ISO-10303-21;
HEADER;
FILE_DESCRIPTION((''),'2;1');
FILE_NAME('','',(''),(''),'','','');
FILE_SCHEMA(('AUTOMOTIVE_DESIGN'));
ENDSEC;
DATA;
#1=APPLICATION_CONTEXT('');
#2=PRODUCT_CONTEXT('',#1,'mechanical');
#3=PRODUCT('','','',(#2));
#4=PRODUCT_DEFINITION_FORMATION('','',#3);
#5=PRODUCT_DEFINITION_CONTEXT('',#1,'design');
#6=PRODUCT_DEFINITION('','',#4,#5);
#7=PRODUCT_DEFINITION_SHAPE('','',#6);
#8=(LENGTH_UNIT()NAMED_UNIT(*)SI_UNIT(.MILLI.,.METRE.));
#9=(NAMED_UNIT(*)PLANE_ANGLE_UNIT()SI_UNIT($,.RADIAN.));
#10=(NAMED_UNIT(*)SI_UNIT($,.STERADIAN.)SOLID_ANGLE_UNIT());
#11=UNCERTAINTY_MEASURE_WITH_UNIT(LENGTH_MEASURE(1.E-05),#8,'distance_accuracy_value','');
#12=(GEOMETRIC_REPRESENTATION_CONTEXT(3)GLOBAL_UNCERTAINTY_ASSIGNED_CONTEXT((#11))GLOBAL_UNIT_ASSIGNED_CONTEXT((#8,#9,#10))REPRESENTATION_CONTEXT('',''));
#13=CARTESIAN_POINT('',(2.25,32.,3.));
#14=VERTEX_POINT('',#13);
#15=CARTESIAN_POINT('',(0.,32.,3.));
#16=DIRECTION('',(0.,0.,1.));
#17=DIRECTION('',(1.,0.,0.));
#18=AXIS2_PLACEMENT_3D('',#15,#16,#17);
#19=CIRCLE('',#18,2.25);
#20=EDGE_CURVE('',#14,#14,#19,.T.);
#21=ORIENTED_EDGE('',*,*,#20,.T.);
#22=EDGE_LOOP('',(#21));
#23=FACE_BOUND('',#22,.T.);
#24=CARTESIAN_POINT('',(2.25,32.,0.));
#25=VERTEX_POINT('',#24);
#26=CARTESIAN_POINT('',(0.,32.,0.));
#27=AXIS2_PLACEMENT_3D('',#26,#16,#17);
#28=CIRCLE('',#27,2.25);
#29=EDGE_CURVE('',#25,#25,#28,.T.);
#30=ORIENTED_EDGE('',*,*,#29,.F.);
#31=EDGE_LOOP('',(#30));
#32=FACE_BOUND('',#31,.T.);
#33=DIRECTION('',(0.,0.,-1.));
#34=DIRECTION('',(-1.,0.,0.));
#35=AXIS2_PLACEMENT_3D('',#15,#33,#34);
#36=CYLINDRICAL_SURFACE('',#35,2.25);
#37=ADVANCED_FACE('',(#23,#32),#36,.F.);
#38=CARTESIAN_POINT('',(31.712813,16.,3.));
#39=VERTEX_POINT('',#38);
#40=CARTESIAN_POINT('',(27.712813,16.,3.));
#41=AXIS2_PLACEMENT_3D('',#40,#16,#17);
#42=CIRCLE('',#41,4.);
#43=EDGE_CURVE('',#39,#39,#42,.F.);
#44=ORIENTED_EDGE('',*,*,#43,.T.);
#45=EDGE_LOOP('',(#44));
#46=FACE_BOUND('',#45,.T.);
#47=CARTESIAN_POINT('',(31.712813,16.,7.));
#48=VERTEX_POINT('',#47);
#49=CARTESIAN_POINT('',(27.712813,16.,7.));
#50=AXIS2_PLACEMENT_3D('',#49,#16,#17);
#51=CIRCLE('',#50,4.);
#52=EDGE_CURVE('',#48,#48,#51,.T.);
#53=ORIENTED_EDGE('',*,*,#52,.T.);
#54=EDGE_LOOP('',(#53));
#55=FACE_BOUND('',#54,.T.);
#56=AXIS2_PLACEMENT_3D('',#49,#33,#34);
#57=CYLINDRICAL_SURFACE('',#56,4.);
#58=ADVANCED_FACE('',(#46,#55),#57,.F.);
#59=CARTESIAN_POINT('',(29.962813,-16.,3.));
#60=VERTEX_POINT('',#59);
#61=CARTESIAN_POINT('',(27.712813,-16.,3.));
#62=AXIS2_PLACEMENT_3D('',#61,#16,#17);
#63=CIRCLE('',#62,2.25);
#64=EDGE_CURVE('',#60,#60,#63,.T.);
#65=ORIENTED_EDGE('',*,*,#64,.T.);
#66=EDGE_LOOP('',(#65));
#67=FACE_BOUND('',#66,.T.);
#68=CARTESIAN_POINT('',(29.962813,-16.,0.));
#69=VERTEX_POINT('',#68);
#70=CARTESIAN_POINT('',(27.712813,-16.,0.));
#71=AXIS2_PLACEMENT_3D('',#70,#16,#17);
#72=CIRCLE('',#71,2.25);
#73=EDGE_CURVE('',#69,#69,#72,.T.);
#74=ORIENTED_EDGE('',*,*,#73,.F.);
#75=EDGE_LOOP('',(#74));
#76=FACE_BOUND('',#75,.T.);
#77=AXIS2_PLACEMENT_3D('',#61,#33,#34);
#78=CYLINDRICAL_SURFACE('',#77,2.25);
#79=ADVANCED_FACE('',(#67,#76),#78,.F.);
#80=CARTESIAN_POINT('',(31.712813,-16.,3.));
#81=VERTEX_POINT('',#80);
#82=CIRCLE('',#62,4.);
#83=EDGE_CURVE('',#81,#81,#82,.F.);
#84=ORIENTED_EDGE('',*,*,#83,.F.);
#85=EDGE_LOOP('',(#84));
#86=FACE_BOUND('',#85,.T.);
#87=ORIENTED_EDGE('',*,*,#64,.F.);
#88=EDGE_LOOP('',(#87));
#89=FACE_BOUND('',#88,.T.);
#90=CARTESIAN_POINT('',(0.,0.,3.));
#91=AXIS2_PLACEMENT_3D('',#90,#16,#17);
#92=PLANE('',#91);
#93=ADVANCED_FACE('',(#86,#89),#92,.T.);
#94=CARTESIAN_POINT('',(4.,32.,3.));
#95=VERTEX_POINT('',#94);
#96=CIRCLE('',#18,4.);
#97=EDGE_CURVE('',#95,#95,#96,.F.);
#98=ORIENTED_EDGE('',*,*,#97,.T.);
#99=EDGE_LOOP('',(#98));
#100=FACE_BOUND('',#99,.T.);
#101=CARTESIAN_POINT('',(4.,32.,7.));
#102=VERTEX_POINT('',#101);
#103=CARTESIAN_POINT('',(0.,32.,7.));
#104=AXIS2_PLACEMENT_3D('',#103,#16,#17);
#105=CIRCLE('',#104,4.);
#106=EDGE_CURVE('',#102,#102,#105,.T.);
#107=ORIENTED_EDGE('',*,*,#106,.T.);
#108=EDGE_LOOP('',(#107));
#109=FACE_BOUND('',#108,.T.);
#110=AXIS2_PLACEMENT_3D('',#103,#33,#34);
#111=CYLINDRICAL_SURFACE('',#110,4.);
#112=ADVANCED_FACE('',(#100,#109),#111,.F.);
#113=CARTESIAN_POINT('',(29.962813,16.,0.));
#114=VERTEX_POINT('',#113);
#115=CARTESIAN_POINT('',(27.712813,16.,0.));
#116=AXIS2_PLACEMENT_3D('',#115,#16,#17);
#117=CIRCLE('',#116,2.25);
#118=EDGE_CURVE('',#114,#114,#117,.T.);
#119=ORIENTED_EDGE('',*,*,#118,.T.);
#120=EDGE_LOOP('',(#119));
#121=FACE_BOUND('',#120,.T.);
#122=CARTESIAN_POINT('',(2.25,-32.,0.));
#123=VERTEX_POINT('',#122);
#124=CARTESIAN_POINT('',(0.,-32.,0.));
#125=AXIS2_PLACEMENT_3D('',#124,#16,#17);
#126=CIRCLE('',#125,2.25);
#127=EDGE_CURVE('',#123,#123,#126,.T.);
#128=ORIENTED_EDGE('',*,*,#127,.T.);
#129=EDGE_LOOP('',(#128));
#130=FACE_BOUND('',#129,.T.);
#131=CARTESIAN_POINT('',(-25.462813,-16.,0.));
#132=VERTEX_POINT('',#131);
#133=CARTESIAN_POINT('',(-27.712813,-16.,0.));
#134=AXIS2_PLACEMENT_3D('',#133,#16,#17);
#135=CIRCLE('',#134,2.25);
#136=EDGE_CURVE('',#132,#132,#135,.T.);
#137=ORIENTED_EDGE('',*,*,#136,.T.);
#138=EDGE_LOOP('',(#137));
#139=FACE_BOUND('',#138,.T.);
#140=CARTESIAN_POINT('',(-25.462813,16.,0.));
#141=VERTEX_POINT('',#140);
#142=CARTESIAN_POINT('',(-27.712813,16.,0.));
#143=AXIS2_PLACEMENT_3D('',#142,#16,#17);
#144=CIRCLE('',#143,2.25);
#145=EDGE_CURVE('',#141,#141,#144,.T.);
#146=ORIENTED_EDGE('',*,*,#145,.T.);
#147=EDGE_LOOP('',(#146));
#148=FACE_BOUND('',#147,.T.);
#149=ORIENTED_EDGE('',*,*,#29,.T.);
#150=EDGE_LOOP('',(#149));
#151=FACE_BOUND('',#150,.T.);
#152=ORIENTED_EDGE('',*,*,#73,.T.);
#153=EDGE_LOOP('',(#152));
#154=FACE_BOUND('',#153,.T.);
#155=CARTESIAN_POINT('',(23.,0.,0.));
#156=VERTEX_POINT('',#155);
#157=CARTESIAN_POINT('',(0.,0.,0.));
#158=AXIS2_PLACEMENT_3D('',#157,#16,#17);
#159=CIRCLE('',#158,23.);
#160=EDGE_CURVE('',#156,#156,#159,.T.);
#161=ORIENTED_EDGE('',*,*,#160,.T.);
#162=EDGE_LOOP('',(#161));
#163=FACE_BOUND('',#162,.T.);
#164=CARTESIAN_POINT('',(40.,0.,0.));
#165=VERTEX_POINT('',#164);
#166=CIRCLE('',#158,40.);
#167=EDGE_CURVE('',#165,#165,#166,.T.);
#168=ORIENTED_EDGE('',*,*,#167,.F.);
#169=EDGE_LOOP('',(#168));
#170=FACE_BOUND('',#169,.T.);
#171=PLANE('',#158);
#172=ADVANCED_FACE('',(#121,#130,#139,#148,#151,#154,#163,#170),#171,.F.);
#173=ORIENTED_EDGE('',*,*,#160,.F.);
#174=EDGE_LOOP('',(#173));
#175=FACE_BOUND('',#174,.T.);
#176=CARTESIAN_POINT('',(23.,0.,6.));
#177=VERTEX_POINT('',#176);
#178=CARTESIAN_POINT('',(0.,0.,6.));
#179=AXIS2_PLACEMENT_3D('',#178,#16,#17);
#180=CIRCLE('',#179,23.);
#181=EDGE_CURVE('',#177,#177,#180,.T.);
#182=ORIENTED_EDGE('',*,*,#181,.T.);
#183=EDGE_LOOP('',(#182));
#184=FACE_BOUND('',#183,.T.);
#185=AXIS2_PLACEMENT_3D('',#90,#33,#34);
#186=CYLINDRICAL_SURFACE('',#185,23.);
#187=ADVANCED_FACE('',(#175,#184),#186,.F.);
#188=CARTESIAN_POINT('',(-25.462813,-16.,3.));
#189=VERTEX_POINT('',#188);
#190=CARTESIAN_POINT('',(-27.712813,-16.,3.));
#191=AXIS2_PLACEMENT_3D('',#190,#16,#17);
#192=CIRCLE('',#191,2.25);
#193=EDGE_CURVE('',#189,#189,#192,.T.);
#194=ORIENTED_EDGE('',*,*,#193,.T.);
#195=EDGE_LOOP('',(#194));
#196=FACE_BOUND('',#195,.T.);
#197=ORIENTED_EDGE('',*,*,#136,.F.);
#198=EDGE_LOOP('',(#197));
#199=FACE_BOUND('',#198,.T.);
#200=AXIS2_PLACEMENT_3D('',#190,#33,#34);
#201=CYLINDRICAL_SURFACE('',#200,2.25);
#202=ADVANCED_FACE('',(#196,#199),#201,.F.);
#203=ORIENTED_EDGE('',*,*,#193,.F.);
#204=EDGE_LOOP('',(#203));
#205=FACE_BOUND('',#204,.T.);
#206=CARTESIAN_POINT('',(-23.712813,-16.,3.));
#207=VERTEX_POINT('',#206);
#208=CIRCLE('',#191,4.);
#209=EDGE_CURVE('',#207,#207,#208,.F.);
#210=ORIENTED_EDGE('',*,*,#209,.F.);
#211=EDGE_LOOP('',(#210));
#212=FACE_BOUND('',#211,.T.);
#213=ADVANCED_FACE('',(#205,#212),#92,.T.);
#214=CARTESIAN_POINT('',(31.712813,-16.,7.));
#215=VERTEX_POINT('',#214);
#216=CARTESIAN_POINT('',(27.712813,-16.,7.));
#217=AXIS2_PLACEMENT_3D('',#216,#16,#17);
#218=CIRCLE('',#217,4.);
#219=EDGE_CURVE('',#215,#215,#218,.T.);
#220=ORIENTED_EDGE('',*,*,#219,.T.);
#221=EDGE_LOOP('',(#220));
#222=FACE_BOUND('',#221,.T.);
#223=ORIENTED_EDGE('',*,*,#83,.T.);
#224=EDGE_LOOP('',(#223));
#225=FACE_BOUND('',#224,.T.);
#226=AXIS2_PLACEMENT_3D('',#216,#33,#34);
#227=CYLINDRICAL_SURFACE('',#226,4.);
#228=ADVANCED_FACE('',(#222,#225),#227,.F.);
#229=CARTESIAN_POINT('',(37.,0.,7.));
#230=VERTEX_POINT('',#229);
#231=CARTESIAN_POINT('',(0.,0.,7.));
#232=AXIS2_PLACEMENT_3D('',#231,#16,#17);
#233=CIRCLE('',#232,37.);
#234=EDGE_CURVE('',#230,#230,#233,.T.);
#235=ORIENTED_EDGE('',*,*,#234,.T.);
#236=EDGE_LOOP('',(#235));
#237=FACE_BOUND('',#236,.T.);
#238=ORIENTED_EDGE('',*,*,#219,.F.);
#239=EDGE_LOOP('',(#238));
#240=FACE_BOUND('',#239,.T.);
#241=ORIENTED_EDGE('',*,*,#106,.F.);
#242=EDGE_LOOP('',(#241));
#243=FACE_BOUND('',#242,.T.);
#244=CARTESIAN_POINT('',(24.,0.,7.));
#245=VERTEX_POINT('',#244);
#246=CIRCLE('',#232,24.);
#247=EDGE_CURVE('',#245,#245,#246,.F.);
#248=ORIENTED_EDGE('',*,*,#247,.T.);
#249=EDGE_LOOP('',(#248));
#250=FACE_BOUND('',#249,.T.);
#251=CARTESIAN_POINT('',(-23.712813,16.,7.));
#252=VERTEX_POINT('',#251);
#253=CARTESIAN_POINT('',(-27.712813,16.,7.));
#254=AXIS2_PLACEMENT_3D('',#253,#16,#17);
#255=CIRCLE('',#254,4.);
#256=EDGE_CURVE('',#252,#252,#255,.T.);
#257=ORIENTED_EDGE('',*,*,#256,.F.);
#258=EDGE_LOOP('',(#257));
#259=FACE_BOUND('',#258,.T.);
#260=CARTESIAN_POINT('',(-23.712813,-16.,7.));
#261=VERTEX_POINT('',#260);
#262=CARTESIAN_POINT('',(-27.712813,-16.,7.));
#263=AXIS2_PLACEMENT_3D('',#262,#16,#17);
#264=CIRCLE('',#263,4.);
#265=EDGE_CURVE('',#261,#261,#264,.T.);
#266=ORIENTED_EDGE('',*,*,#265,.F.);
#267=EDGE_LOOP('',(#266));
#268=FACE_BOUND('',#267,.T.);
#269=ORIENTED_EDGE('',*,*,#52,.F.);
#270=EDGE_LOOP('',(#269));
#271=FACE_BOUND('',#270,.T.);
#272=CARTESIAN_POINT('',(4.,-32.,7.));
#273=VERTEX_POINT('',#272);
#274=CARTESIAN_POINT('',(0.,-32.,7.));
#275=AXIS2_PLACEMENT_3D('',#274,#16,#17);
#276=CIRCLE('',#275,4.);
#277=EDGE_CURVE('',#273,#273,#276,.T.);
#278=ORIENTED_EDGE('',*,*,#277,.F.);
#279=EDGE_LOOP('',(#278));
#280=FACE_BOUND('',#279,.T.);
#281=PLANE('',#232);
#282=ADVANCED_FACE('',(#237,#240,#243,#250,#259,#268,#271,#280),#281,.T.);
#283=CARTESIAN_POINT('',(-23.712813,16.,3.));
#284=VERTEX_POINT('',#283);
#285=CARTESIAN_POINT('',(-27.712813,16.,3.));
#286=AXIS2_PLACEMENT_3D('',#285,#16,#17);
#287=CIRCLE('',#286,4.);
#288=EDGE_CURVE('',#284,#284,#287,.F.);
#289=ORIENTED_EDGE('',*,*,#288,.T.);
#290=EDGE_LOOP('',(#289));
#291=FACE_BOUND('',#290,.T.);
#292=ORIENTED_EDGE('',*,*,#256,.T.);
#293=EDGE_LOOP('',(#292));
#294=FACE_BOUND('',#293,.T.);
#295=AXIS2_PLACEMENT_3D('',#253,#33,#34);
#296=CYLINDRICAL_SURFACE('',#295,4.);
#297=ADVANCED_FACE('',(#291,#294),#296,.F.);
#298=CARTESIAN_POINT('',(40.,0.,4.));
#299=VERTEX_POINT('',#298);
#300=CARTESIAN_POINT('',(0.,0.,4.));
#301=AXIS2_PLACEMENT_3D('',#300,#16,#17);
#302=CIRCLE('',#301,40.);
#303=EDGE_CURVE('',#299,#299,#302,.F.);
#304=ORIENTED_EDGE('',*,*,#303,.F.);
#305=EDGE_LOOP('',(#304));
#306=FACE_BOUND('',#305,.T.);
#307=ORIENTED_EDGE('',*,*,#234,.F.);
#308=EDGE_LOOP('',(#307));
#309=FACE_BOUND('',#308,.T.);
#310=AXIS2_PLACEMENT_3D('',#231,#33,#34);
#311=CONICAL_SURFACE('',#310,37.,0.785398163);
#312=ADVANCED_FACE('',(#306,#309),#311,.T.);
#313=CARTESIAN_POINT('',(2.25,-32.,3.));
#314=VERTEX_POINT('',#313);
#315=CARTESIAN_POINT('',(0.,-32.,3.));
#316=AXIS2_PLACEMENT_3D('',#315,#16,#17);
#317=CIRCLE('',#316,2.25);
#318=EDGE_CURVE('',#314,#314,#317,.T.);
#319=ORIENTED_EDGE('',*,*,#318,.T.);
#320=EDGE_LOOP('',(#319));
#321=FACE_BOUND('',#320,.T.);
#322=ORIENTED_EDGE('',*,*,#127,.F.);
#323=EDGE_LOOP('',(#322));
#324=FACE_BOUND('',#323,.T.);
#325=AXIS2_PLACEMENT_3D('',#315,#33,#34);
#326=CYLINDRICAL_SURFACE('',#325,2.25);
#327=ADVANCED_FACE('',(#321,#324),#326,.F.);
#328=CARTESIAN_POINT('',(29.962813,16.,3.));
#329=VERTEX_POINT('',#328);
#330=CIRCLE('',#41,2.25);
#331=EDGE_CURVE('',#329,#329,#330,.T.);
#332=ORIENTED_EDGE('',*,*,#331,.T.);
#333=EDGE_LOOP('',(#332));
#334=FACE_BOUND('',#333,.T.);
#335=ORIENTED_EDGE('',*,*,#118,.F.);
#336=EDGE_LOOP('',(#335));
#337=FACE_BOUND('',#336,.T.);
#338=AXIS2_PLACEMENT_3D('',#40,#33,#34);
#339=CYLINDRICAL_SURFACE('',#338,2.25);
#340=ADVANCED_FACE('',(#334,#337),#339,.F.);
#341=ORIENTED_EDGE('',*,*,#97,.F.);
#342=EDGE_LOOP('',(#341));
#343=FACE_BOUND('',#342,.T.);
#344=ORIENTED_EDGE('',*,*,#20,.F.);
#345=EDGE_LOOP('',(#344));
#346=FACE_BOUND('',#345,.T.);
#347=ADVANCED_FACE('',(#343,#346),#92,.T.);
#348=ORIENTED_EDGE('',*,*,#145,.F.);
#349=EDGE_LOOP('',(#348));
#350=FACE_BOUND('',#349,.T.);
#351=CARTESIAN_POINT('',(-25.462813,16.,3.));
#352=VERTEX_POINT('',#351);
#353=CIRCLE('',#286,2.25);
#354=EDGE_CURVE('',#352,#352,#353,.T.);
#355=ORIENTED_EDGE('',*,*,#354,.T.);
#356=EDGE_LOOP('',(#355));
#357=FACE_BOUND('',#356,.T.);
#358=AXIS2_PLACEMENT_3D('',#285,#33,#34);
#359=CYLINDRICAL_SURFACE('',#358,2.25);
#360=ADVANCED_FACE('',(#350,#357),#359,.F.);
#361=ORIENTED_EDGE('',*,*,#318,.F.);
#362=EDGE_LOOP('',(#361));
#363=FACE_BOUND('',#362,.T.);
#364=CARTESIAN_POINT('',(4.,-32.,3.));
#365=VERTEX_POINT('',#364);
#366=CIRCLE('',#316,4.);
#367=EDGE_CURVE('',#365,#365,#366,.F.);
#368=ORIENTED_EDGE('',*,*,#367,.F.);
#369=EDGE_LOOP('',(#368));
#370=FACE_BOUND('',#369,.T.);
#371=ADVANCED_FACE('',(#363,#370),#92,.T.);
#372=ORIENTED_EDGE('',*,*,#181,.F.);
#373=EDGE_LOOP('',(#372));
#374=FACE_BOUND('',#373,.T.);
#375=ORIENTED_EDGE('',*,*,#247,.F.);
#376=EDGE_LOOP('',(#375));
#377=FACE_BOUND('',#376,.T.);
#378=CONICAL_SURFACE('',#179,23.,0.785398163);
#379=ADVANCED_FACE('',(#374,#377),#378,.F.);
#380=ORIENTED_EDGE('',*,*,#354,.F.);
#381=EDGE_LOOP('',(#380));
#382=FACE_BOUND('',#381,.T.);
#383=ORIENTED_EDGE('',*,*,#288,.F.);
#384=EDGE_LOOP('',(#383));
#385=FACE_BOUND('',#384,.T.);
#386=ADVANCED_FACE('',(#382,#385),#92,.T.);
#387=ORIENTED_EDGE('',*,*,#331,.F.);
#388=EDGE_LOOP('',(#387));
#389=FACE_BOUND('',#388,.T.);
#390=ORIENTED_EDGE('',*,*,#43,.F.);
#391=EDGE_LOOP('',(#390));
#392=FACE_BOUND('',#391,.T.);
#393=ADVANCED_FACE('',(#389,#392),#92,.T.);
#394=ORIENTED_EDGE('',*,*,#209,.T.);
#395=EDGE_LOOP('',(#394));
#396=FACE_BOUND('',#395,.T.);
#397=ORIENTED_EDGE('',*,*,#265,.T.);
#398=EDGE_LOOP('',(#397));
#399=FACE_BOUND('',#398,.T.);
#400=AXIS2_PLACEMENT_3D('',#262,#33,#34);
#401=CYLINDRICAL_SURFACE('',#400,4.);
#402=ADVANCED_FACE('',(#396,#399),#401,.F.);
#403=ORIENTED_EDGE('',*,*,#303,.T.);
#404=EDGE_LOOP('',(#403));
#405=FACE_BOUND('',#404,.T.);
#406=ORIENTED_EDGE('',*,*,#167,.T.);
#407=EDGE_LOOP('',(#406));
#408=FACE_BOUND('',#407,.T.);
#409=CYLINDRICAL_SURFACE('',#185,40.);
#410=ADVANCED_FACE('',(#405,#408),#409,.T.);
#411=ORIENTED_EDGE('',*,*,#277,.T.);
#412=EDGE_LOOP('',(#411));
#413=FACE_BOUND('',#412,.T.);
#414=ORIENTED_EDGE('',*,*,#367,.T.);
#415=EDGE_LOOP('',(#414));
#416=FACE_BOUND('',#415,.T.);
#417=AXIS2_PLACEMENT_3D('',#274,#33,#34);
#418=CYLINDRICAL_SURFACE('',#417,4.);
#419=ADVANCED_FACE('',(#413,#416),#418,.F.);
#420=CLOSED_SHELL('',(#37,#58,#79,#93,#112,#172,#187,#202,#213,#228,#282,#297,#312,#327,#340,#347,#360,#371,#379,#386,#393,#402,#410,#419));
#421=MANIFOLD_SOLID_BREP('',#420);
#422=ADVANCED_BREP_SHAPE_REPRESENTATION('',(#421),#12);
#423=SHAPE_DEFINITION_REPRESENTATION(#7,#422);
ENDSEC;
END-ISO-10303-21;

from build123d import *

# Parameters (mm, degrees)
SKETCH_2_R      = 40
SKETCH_2_R_2    = 2.25
SKETCH_2_R_3    = 23
EXTRUDE_1_DEPTH = 3
SKETCH_3_R      = 40
SKETCH_3_R_2    = 4
SKETCH_3_R_3    = 23
EXTRUDE_2_DEPTH = 4
CHAMFER_1_SIZE  = 3
CHAMFER_2_SIZE  = 1


with BuildPart() as part:
    # ｽｹｯﾁ2 → ﾎﾞｽ - 押し出し1 (new body)
    with BuildSketch(Plane.XY):
        Circle(SKETCH_2_R)
        with Locations((0, 32)):
            Circle(SKETCH_2_R_2, mode=Mode.SUBTRACT)
        Circle(SKETCH_2_R_3, mode=Mode.SUBTRACT)
        with Locations((-27.712812921, 16)):
            Circle(SKETCH_2_R_2, mode=Mode.SUBTRACT)
        with Locations((-27.712812921, -16)):
            Circle(SKETCH_2_R_2, mode=Mode.SUBTRACT)
        with Locations((0, -32)):
            Circle(SKETCH_2_R_2, mode=Mode.SUBTRACT)
        with Locations((27.712812921, -16)):
            Circle(SKETCH_2_R_2, mode=Mode.SUBTRACT)
        with Locations((27.712812921, 16)):
            Circle(SKETCH_2_R_2, mode=Mode.SUBTRACT)
    extrude(amount=EXTRUDE_1_DEPTH)

    # ｽｹｯﾁ3 → ﾎﾞｽ - 押し出し2 (add)
    with BuildSketch(Plane.XY.offset(3)):
        Circle(SKETCH_3_R)
        with Locations((0, 32)):
            Circle(SKETCH_3_R_2, mode=Mode.SUBTRACT)
        with Locations((-27.712812921, 16)):
            Circle(SKETCH_3_R_2, mode=Mode.SUBTRACT)
        with Locations((-27.712812921, -16)):
            Circle(SKETCH_3_R_2, mode=Mode.SUBTRACT)
        with Locations((0, -32)):
            Circle(SKETCH_3_R_2, mode=Mode.SUBTRACT)
        with Locations((27.712812921, -16)):
            Circle(SKETCH_3_R_2, mode=Mode.SUBTRACT)
        with Locations((27.712812921, 16)):
            Circle(SKETCH_3_R_2, mode=Mode.SUBTRACT)
        Circle(SKETCH_3_R_3, mode=Mode.SUBTRACT)
    extrude(amount=EXTRUDE_2_DEPTH)

    # 面取り1
    chamfer_1_edges = [part.edges().sort_by_distance(p)[0] for p in [
        (-40, 0, 7),
    ]]
    chamfer(chamfer_1_edges, length=CHAMFER_1_SIZE)

    # 面取り2
    chamfer_2_edges = [part.edges().sort_by_distance(p)[0] for p in [
        (-23, 0, 7),
    ]]
    chamfer(chamfer_2_edges, length=CHAMFER_2_SIZE)


solid = part.part
